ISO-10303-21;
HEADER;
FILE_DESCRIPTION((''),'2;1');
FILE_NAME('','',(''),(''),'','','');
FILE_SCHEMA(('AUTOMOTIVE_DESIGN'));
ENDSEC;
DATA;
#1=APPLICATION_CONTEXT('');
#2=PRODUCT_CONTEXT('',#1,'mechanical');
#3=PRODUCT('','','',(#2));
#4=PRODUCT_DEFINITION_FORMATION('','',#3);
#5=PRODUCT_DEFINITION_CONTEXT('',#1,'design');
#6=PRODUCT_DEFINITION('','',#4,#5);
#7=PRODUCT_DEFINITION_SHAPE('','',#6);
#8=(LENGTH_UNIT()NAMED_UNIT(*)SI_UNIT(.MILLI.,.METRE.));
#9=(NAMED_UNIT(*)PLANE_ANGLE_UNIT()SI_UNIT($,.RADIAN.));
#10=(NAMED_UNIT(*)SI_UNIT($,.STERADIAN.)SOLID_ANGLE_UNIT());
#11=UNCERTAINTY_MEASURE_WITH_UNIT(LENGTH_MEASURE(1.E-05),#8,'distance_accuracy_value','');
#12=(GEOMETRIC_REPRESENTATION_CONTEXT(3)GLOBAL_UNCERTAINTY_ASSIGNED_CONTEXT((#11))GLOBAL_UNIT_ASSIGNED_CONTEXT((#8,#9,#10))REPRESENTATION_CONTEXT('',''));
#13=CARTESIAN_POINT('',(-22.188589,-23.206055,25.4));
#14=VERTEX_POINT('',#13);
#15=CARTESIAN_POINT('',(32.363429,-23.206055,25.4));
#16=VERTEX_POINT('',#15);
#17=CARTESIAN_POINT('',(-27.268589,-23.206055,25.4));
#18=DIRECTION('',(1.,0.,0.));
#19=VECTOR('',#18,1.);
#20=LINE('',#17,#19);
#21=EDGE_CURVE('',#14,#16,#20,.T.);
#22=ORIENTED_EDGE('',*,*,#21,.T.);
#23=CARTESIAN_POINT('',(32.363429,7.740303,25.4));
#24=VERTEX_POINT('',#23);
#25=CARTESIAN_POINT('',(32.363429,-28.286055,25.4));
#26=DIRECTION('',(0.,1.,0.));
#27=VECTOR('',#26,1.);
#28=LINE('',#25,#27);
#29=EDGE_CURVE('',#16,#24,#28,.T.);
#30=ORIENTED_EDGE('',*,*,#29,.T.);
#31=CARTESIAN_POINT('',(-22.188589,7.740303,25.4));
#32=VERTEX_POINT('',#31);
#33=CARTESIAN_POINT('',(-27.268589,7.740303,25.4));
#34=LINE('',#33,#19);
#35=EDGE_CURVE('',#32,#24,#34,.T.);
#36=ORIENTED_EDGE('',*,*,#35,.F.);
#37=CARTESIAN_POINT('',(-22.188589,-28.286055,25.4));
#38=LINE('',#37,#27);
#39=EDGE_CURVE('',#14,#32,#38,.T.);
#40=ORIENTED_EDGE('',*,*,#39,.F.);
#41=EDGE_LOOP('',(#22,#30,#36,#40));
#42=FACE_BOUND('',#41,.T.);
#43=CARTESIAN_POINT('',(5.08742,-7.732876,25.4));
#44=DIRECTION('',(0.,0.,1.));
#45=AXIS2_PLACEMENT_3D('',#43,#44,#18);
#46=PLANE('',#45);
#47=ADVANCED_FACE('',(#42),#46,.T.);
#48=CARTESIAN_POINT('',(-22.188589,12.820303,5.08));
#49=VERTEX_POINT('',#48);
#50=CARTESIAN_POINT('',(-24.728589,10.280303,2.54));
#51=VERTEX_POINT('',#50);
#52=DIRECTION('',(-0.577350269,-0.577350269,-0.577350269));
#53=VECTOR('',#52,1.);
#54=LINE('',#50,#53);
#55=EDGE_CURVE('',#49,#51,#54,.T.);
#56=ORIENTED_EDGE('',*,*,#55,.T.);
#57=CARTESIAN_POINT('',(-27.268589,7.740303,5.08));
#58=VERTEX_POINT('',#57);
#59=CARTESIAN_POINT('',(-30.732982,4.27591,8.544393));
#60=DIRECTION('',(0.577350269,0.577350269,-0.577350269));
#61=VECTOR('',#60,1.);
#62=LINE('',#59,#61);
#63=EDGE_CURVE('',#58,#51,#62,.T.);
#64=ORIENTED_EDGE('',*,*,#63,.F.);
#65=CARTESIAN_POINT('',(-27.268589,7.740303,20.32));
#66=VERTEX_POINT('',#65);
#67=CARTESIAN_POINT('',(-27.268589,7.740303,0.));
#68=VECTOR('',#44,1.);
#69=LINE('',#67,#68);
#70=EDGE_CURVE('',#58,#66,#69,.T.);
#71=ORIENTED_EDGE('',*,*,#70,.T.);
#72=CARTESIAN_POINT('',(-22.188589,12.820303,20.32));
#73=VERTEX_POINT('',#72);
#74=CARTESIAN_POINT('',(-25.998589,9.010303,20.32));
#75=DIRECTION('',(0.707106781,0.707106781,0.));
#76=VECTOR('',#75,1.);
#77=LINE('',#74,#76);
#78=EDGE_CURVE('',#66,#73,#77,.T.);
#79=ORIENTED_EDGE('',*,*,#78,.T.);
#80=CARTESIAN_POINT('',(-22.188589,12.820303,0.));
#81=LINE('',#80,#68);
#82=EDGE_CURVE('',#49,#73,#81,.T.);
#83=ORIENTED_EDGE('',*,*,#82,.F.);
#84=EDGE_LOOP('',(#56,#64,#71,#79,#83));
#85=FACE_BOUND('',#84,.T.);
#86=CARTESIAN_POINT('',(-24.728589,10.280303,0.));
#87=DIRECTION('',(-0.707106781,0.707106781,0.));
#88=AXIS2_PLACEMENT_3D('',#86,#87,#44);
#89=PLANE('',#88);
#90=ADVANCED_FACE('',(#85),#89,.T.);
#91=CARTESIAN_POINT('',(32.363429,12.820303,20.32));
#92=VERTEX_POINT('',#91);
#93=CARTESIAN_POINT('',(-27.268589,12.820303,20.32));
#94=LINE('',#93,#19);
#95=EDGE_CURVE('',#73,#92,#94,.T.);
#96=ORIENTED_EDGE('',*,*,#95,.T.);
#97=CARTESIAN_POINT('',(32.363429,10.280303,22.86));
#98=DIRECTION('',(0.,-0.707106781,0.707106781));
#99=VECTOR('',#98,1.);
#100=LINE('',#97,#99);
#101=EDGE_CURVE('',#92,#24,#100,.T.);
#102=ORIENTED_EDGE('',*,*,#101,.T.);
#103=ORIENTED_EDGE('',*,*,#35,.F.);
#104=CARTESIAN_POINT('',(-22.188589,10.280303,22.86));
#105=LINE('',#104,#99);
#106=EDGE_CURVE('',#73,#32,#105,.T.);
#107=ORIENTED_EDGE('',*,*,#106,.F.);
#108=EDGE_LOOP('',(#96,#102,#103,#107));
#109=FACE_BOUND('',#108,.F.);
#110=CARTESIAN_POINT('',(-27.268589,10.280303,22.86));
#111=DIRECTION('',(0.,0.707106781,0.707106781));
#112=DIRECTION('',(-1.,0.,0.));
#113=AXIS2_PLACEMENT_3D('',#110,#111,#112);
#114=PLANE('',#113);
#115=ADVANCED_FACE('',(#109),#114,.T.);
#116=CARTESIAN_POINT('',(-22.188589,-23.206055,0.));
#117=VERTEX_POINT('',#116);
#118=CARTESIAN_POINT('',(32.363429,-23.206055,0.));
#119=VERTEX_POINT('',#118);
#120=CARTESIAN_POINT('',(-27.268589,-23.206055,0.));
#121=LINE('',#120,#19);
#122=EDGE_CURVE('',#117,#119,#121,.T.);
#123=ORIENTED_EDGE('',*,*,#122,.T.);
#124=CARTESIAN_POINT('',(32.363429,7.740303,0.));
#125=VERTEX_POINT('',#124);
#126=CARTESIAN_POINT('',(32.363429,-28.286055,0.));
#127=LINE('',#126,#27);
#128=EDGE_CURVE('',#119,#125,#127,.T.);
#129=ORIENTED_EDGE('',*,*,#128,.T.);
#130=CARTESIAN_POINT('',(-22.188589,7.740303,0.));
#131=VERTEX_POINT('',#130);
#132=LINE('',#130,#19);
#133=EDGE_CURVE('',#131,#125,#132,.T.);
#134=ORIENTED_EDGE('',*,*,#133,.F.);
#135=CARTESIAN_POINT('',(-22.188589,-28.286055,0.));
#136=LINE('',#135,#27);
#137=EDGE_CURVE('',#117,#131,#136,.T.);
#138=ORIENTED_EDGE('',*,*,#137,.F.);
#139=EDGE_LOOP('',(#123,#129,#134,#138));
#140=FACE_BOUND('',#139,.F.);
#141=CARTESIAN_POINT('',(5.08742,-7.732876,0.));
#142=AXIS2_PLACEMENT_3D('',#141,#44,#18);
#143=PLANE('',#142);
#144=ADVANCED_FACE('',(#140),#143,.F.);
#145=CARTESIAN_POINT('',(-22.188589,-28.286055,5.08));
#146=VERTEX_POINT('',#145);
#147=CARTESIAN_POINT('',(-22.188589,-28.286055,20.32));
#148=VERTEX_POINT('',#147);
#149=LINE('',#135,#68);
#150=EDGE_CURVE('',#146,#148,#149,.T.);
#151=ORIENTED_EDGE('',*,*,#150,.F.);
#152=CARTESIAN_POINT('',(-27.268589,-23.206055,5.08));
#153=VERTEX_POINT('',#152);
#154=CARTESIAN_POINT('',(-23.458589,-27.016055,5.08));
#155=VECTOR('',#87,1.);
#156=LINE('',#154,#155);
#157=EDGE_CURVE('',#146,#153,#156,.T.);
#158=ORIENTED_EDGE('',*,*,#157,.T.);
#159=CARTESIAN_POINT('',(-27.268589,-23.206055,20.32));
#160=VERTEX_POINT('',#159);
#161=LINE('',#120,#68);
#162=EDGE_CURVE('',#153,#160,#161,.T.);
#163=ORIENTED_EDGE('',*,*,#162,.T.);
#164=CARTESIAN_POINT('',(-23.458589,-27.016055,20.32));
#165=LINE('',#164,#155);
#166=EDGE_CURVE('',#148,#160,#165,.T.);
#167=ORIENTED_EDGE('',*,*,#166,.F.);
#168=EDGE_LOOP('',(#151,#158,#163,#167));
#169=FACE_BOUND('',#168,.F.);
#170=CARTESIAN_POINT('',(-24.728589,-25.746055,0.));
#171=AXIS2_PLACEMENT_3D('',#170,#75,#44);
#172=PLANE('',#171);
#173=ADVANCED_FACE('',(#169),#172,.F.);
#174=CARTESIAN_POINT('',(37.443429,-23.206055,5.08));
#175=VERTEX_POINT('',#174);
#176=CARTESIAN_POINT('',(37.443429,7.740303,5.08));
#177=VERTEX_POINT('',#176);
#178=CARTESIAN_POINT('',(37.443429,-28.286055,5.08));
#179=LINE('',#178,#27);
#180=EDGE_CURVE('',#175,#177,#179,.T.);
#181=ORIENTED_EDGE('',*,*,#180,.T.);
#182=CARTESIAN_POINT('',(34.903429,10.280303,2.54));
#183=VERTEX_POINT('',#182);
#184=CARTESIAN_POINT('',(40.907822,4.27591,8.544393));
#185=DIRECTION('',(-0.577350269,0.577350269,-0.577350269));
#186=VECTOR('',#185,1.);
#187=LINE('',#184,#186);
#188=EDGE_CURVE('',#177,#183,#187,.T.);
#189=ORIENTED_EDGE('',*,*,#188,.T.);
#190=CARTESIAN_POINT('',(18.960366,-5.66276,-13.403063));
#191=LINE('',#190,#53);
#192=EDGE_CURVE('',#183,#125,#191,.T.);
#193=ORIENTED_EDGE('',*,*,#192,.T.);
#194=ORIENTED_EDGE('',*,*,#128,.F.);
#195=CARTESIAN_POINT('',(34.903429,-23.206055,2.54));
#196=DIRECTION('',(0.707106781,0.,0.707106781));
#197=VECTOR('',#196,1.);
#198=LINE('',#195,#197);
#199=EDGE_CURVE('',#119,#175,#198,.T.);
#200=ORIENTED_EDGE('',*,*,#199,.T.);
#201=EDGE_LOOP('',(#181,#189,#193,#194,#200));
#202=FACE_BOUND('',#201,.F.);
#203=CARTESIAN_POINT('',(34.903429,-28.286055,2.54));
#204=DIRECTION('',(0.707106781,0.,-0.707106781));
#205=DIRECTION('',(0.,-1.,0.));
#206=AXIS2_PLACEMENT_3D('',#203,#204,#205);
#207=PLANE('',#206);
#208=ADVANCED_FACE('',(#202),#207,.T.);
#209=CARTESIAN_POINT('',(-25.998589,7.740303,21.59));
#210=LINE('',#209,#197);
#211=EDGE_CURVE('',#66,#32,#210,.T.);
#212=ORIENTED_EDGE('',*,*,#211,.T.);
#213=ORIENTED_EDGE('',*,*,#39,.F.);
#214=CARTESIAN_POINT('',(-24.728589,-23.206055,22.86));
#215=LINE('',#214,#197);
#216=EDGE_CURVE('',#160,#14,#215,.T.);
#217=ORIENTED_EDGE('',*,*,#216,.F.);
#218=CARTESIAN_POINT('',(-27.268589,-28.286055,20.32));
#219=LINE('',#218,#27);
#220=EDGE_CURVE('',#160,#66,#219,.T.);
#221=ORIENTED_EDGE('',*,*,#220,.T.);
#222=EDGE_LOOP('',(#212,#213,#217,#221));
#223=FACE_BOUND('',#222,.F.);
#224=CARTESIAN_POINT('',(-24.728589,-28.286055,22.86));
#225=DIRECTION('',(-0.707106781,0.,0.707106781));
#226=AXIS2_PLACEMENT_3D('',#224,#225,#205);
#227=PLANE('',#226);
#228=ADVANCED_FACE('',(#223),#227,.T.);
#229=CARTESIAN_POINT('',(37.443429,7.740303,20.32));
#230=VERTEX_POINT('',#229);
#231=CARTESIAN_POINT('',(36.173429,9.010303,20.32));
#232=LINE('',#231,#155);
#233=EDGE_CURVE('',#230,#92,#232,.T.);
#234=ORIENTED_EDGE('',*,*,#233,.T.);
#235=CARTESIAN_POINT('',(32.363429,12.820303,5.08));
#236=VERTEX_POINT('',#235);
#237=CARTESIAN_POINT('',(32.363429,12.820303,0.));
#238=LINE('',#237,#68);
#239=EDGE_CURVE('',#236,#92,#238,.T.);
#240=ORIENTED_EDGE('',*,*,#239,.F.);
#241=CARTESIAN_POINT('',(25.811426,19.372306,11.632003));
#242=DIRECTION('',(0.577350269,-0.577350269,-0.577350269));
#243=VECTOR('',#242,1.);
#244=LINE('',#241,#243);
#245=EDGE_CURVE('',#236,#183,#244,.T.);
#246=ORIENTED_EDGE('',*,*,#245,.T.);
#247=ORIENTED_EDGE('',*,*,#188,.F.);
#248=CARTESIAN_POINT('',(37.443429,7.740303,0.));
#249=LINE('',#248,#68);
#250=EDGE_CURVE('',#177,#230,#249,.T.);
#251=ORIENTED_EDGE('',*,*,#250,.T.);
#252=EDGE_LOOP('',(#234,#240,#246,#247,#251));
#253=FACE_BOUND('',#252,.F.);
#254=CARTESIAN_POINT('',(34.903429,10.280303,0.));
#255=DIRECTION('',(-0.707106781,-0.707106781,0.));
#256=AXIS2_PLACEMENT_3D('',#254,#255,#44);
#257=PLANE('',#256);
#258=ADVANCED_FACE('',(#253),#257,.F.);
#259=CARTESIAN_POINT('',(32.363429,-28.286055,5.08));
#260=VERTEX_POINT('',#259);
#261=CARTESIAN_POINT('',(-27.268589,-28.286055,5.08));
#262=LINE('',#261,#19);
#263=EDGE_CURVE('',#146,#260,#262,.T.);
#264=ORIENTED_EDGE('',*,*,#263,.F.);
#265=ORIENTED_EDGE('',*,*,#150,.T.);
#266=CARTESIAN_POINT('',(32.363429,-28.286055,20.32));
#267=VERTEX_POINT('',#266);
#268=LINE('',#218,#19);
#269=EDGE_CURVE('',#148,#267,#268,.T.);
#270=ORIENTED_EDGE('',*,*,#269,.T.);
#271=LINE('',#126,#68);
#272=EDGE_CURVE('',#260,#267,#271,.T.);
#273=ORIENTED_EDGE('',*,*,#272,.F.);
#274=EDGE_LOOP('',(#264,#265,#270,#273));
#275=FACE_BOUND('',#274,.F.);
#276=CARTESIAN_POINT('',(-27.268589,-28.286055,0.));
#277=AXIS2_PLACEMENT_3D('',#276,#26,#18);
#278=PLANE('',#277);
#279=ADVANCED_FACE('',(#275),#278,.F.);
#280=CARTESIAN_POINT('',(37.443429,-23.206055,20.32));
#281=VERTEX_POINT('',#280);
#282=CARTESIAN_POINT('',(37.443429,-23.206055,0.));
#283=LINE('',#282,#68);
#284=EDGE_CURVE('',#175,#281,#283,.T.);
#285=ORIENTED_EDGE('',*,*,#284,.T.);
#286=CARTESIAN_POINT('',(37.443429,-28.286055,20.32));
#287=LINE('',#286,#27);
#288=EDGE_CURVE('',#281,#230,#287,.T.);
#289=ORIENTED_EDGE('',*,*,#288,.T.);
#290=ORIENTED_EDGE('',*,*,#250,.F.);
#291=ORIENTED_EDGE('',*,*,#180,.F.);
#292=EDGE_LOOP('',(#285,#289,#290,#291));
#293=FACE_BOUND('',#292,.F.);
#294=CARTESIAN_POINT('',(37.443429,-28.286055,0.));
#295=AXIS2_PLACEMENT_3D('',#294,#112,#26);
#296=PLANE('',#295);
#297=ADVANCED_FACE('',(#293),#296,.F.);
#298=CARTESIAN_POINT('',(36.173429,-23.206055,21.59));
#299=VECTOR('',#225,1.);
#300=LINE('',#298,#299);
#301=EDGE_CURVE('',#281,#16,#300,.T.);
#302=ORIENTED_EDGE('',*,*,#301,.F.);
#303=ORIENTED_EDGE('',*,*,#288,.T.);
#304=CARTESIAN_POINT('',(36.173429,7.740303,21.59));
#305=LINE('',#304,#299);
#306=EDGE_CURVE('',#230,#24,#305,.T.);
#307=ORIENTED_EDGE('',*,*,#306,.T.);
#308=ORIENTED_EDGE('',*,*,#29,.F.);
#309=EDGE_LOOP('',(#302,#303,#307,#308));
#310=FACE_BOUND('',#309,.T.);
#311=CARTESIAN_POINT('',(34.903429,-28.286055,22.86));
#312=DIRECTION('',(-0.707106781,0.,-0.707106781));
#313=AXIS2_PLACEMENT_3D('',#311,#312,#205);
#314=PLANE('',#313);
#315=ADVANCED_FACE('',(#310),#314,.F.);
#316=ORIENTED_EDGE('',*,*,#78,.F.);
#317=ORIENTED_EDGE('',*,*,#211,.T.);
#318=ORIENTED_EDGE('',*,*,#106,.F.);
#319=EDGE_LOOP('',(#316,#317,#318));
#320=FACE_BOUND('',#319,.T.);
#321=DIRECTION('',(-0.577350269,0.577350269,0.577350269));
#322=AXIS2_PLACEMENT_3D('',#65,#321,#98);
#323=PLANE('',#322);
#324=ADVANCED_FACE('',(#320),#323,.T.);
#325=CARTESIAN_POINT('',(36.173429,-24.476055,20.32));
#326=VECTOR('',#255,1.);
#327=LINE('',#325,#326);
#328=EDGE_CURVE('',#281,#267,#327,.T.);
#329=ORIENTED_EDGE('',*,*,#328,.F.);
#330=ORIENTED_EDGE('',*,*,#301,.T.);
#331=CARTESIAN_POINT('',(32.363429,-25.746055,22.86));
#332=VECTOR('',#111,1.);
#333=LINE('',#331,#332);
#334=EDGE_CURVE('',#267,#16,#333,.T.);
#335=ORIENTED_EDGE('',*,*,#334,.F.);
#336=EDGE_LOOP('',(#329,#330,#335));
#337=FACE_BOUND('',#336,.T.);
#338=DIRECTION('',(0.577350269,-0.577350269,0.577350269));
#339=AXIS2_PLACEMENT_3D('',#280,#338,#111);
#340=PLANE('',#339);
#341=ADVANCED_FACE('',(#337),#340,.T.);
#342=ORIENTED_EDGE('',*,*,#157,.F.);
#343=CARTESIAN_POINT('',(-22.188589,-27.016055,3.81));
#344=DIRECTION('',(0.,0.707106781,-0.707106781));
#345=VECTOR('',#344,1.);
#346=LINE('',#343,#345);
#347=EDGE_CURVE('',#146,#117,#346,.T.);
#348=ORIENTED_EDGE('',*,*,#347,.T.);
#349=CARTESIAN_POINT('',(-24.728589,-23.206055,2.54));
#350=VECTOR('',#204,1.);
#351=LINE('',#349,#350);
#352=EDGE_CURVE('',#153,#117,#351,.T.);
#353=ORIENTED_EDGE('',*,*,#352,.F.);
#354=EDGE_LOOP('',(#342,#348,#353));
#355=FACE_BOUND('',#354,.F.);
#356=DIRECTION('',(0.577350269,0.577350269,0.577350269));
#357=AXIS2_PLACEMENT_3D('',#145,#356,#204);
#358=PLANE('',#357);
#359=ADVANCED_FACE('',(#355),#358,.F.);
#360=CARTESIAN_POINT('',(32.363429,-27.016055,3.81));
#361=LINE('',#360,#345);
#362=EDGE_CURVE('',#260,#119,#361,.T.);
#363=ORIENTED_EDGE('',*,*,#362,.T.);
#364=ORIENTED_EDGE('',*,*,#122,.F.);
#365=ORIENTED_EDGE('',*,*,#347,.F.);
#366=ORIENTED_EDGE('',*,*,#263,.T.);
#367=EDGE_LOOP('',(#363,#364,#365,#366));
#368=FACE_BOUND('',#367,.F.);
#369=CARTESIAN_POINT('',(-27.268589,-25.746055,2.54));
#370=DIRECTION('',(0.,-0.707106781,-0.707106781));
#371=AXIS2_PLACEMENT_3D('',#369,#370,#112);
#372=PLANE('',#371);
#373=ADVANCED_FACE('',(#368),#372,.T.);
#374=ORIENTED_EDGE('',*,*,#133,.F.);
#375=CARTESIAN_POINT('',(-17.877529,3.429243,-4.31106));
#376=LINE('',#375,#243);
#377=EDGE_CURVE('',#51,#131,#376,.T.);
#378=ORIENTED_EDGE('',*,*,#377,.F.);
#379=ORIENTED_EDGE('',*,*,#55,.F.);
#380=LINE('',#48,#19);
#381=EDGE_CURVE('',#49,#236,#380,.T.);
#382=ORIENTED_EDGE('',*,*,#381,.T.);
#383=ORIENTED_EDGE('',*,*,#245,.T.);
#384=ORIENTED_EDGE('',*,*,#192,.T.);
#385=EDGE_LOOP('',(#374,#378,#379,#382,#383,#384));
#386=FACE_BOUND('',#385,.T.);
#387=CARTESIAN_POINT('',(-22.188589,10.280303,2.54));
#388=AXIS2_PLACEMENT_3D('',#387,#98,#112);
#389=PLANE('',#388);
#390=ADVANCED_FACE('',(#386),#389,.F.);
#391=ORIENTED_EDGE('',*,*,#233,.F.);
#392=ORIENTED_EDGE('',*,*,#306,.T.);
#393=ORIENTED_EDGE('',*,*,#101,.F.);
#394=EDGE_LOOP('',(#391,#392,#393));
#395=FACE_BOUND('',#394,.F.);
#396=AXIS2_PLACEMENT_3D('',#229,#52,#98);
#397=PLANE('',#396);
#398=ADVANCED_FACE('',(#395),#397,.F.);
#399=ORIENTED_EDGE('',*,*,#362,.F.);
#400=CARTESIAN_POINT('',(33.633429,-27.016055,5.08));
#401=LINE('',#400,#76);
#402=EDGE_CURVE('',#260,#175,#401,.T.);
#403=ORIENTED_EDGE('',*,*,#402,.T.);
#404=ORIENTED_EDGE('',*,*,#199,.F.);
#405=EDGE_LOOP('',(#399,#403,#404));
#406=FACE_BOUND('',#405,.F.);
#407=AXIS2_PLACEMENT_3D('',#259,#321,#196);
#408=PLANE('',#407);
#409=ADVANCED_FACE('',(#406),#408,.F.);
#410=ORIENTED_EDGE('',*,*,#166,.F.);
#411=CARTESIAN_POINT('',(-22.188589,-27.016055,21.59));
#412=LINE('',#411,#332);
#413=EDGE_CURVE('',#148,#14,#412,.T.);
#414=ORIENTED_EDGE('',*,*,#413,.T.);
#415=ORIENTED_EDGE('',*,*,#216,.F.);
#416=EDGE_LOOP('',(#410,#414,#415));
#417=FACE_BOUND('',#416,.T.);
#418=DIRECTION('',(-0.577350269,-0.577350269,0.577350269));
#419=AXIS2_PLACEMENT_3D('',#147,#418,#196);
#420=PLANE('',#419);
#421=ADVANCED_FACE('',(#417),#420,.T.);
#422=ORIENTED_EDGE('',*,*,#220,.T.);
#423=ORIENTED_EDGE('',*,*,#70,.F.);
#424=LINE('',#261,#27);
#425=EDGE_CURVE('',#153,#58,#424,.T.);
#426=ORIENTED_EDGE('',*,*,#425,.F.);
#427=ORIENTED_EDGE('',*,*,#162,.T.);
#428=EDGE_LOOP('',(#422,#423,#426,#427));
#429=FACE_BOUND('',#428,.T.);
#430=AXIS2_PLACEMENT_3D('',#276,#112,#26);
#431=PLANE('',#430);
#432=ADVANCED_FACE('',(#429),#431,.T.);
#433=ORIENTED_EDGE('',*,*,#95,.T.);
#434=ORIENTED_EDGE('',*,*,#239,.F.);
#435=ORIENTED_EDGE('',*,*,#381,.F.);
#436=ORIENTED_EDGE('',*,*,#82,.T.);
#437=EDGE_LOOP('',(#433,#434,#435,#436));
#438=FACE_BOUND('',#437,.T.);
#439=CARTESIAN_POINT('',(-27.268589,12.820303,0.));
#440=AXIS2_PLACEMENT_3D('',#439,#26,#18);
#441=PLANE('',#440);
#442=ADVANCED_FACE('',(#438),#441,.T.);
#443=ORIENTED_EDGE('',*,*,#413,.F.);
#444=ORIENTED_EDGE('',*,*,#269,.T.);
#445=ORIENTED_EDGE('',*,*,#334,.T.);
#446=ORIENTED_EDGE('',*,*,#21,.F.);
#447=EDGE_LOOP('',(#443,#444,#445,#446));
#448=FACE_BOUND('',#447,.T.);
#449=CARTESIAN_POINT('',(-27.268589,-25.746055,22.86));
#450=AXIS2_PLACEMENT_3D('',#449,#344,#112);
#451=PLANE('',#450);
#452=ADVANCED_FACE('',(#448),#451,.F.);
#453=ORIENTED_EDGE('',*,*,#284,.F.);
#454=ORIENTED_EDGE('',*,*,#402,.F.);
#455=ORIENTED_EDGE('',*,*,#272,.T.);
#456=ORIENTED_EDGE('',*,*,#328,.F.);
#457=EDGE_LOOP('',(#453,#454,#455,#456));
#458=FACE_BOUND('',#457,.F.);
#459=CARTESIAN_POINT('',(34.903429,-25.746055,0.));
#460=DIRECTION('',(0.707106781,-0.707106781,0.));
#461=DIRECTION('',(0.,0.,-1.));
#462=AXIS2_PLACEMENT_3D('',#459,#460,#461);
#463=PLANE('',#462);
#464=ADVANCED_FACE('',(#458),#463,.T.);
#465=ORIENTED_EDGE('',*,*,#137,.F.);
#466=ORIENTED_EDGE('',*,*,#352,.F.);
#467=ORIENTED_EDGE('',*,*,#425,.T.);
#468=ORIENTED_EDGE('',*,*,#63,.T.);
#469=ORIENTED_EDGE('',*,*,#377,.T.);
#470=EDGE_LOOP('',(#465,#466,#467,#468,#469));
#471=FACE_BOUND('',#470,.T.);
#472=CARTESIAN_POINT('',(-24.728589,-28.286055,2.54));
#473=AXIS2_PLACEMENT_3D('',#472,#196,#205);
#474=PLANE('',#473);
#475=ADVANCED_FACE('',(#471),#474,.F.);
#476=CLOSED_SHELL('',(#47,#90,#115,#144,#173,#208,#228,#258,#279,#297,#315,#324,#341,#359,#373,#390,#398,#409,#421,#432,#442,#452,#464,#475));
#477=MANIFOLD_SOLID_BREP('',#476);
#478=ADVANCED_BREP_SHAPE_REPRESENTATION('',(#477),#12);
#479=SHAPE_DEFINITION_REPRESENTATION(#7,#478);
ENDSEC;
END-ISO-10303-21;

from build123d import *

# Parameters (mm, degrees)
F0_W     = 64.712018
F0_H     = 41.106358
F1_DEPTH = 25.4
F2_SIZE  = 5.08
F3_SIZE  = 5.08


with BuildPart() as f1:
    # F0 (on Top) → F1 (new body)
    with BuildSketch(Plane.XY):
        with Locations((5.08742, -7.732876)):
            Rectangle(F0_W, F0_H)
    extrude(amount=F1_DEPTH)

    # F2
    f2_edges = [f1.edges().sort_by_distance(p)[0] for p in [
        (5.08742, 12.820303, 25.4),
        (37.443429, -7.732876, 0),
        (37.443429, 12.820303, 12.7),
        (-27.268589, 12.820303, 12.7),
        (-27.268589, -7.732876, 25.4),
        (-27.268589, -7.732876, 0),
        (-27.268589, -28.286055, 12.7),
        (5.08742, -28.286055, 0),
        (5.08742, -28.286055, 25.4),
        (37.443429, -28.286055, 12.7),
        (37.443429, -7.732876, 25.4),
    ]]
    chamfer(f2_edges, length=F2_SIZE)

    # F3
    f3_edges = [f1.edges().sort_by_distance(p)[0] for p in [
        (5.08742, 12.820303, 0),
    ]]
    chamfer(f3_edges, length=F3_SIZE)


solid = f1.part
